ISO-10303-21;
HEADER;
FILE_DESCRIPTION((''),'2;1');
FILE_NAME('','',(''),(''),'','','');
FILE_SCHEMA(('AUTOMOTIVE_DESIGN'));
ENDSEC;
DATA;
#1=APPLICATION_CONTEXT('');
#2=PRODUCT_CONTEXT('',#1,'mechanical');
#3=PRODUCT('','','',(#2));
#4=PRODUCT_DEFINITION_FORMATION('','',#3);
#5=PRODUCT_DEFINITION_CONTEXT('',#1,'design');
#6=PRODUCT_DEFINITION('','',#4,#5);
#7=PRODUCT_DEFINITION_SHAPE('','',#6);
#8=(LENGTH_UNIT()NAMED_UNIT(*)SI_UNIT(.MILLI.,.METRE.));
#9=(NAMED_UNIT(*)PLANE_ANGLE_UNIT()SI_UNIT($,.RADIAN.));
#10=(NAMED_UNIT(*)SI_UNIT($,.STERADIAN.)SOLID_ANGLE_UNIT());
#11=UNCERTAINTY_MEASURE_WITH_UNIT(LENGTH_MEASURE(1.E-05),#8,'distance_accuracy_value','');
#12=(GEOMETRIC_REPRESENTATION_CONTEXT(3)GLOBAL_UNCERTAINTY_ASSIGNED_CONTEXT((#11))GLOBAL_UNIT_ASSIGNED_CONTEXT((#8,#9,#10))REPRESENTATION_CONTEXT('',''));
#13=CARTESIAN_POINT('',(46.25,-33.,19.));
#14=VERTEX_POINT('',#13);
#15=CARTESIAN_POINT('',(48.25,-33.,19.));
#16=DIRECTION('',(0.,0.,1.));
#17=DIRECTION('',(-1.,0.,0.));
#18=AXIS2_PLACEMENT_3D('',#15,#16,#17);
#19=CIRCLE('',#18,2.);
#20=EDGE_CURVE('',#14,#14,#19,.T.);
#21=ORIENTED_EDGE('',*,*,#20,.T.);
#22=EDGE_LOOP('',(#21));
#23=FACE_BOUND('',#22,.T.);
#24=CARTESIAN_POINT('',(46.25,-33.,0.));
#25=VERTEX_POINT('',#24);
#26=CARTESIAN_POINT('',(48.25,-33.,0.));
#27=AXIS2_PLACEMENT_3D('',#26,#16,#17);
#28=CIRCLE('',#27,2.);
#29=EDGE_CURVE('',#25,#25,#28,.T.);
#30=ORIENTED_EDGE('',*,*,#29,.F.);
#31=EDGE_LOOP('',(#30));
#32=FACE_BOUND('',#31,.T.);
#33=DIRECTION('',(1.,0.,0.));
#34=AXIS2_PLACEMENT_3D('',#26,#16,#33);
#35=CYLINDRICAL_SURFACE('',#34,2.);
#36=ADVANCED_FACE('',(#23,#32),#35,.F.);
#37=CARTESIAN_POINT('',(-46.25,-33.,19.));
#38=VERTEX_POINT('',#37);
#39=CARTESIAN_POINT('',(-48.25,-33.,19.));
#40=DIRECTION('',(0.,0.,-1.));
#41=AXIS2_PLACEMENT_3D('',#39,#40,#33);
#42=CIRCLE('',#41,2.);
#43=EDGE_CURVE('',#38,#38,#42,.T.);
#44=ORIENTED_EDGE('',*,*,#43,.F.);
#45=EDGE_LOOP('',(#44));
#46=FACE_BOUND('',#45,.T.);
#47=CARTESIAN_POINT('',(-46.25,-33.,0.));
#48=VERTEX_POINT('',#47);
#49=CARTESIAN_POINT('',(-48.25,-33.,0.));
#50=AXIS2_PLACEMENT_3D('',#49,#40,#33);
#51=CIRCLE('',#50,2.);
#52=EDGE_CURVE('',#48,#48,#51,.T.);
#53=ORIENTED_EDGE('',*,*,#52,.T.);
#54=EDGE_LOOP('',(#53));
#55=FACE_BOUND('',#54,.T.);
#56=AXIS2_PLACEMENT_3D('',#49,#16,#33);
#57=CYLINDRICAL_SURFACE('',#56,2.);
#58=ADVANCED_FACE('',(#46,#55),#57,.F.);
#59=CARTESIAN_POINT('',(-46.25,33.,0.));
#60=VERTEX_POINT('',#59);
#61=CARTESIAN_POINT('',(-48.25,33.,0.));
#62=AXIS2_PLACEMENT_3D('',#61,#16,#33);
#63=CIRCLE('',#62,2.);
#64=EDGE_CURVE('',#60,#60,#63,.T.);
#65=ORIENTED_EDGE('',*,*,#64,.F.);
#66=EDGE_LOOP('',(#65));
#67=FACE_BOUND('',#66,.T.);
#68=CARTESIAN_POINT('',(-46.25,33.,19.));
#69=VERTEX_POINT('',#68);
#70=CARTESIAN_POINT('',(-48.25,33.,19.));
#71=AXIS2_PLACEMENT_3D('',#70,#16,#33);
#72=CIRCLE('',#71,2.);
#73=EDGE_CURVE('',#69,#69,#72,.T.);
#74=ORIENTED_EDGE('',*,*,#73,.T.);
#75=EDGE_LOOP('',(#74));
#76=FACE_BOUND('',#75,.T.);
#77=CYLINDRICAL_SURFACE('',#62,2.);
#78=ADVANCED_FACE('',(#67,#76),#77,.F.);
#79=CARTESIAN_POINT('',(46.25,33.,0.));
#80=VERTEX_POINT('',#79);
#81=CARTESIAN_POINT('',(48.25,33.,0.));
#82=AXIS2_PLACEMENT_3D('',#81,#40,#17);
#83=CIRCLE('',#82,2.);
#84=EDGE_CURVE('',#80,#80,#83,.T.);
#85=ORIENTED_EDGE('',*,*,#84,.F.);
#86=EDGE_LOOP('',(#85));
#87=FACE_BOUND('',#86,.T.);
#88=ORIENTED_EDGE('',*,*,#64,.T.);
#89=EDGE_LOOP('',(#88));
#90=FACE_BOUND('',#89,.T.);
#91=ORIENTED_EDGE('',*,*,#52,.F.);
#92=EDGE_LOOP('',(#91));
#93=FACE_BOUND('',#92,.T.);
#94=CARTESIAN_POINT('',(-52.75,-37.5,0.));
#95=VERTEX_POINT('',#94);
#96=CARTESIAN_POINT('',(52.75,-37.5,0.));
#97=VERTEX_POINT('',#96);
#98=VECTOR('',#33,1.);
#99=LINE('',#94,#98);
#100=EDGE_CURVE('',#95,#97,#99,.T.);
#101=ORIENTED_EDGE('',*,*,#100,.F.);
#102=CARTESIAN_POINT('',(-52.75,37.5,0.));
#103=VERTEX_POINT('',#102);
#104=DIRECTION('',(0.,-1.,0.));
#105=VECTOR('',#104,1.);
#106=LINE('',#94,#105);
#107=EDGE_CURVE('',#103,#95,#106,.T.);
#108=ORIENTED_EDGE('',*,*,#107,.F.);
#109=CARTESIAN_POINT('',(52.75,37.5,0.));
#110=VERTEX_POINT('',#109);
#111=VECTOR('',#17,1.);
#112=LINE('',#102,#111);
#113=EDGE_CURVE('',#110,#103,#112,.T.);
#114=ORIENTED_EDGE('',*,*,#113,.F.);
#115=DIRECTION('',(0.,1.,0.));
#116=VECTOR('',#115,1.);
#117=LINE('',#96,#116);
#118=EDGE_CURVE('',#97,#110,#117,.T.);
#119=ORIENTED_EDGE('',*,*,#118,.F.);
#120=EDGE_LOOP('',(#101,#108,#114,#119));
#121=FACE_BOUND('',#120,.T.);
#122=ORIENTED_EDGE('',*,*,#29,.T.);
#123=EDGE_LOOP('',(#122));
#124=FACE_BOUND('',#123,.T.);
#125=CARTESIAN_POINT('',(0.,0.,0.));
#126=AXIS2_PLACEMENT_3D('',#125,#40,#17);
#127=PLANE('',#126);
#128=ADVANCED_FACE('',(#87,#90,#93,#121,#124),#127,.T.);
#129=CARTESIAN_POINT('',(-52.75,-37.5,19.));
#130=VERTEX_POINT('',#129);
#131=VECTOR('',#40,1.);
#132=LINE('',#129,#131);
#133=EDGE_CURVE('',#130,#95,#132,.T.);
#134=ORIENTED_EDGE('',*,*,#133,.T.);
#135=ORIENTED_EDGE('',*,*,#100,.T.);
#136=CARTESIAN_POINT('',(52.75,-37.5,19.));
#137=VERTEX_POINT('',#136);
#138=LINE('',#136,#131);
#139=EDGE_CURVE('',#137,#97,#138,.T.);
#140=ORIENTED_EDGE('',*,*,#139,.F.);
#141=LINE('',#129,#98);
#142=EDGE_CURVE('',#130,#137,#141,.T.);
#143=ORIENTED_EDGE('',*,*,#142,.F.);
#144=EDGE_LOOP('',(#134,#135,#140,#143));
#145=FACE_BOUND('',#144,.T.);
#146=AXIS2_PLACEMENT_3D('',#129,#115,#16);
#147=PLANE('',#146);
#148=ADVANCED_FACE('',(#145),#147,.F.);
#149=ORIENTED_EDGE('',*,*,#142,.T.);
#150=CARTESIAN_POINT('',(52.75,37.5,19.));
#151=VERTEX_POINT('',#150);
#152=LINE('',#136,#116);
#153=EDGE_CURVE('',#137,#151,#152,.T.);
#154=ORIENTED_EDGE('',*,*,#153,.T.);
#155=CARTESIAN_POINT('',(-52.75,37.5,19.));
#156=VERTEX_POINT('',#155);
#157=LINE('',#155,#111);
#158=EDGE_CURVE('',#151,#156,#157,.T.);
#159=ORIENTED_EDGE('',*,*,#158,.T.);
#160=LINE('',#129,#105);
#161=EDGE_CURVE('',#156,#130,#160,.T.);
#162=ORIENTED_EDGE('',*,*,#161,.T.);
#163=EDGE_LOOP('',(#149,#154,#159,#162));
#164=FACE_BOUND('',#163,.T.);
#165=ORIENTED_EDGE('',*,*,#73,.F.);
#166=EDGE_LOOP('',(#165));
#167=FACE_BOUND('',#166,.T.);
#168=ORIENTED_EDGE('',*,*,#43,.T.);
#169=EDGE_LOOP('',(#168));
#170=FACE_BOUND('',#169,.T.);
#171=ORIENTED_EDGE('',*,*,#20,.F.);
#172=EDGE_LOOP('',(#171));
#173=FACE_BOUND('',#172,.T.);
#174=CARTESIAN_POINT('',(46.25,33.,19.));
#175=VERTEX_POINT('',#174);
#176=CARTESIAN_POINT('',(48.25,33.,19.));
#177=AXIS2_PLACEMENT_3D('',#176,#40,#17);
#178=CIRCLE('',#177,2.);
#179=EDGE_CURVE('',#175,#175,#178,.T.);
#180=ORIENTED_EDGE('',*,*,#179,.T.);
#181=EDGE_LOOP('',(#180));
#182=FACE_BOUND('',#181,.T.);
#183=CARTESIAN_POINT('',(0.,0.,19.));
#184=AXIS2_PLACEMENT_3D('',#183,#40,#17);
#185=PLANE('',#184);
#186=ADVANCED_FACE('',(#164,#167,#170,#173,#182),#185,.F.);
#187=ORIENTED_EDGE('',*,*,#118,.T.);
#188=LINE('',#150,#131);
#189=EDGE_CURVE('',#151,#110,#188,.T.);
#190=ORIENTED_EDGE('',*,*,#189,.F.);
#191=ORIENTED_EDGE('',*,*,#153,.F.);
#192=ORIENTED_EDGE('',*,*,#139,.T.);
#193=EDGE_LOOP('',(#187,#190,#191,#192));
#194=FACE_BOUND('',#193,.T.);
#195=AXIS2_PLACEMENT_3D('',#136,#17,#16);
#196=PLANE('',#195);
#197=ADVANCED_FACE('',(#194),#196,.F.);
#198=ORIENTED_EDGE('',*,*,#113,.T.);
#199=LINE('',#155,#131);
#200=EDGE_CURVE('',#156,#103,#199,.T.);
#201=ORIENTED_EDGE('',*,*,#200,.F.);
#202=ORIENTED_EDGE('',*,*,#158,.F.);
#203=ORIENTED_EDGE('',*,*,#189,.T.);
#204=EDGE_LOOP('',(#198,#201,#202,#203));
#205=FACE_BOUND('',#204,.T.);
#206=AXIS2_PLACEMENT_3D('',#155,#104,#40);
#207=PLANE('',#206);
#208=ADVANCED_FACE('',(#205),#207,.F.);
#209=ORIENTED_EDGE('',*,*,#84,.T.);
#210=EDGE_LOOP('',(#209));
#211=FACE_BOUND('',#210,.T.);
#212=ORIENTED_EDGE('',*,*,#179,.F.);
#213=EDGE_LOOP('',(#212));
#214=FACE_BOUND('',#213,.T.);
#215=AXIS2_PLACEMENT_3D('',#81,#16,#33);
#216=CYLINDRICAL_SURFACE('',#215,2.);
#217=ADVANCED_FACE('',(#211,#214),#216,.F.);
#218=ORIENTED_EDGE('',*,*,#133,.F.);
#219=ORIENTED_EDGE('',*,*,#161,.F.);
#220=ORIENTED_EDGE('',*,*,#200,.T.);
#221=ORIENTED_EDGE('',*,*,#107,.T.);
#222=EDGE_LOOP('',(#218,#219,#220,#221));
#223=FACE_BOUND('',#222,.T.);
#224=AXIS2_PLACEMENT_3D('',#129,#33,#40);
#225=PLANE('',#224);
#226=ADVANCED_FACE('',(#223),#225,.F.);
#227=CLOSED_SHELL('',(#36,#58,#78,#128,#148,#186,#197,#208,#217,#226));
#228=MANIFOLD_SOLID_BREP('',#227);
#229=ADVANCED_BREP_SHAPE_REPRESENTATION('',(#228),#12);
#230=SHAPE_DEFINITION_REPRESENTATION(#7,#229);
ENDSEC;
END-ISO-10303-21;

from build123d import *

# Parameters (mm, degrees)
ESQUISSE1_W               = 105.5
ESQUISSE1_H               = 75
BOSS_EXTRU_1_DEPTH        = 19
ESQUISSE2_R               = 2
ENL_V_MAT_EXTRU_1_DEPTH   = 68.452297959
SYM_TRIE2_COPY_1_SKETCH_R = 2
SYM_TRIE2_COPY_1_DEPTH    = 68.452297959


with BuildPart() as part:
    # Esquisse1 → Boss.-Extru.1 (new body)
    with BuildSketch(Plane.XY):
        Rectangle(ESQUISSE1_W, ESQUISSE1_H)
    extrude(amount=BOSS_EXTRU_1_DEPTH)

    # Esquisse2 → Enlèv. mat.-Extru.1 (cut, through all)
    with BuildSketch(Plane.XY.offset(19)):
        with Locations((-48.25, 33)):
            Circle(ESQUISSE2_R)
    enl_v_mat_extru_1 = extrude(amount=-ENL_V_MAT_EXTRU_1_DEPTH, mode=Mode.SUBTRACT)

    # Symétrie1: Enlèv. mat.-Extru.1 across plane
    add(enl_v_mat_extru_1.mirror(Plane.ZX), mode=Mode.SUBTRACT)

    # Symétrie2: Enlèv. mat.-Extru.1 across plane
    add(enl_v_mat_extru_1.mirror(Plane(origin=(0, 0, 0), x_dir=(0, 0, 1), z_dir=(1, 0, 0))), mode=Mode.SUBTRACT)

    # Symétrie2 copy 1 sketch → Symétrie2 copy 1 (cut, through all)
    with BuildSketch(Plane(origin=(0, 0, 19), x_dir=(-1, 0, 0), z_dir=(0, 0, 1))):
        with Locations((-48.25, 33)):
            Circle(SYM_TRIE2_COPY_1_SKETCH_R)
    extrude(amount=-SYM_TRIE2_COPY_1_DEPTH, mode=Mode.SUBTRACT)


solid = part.part
